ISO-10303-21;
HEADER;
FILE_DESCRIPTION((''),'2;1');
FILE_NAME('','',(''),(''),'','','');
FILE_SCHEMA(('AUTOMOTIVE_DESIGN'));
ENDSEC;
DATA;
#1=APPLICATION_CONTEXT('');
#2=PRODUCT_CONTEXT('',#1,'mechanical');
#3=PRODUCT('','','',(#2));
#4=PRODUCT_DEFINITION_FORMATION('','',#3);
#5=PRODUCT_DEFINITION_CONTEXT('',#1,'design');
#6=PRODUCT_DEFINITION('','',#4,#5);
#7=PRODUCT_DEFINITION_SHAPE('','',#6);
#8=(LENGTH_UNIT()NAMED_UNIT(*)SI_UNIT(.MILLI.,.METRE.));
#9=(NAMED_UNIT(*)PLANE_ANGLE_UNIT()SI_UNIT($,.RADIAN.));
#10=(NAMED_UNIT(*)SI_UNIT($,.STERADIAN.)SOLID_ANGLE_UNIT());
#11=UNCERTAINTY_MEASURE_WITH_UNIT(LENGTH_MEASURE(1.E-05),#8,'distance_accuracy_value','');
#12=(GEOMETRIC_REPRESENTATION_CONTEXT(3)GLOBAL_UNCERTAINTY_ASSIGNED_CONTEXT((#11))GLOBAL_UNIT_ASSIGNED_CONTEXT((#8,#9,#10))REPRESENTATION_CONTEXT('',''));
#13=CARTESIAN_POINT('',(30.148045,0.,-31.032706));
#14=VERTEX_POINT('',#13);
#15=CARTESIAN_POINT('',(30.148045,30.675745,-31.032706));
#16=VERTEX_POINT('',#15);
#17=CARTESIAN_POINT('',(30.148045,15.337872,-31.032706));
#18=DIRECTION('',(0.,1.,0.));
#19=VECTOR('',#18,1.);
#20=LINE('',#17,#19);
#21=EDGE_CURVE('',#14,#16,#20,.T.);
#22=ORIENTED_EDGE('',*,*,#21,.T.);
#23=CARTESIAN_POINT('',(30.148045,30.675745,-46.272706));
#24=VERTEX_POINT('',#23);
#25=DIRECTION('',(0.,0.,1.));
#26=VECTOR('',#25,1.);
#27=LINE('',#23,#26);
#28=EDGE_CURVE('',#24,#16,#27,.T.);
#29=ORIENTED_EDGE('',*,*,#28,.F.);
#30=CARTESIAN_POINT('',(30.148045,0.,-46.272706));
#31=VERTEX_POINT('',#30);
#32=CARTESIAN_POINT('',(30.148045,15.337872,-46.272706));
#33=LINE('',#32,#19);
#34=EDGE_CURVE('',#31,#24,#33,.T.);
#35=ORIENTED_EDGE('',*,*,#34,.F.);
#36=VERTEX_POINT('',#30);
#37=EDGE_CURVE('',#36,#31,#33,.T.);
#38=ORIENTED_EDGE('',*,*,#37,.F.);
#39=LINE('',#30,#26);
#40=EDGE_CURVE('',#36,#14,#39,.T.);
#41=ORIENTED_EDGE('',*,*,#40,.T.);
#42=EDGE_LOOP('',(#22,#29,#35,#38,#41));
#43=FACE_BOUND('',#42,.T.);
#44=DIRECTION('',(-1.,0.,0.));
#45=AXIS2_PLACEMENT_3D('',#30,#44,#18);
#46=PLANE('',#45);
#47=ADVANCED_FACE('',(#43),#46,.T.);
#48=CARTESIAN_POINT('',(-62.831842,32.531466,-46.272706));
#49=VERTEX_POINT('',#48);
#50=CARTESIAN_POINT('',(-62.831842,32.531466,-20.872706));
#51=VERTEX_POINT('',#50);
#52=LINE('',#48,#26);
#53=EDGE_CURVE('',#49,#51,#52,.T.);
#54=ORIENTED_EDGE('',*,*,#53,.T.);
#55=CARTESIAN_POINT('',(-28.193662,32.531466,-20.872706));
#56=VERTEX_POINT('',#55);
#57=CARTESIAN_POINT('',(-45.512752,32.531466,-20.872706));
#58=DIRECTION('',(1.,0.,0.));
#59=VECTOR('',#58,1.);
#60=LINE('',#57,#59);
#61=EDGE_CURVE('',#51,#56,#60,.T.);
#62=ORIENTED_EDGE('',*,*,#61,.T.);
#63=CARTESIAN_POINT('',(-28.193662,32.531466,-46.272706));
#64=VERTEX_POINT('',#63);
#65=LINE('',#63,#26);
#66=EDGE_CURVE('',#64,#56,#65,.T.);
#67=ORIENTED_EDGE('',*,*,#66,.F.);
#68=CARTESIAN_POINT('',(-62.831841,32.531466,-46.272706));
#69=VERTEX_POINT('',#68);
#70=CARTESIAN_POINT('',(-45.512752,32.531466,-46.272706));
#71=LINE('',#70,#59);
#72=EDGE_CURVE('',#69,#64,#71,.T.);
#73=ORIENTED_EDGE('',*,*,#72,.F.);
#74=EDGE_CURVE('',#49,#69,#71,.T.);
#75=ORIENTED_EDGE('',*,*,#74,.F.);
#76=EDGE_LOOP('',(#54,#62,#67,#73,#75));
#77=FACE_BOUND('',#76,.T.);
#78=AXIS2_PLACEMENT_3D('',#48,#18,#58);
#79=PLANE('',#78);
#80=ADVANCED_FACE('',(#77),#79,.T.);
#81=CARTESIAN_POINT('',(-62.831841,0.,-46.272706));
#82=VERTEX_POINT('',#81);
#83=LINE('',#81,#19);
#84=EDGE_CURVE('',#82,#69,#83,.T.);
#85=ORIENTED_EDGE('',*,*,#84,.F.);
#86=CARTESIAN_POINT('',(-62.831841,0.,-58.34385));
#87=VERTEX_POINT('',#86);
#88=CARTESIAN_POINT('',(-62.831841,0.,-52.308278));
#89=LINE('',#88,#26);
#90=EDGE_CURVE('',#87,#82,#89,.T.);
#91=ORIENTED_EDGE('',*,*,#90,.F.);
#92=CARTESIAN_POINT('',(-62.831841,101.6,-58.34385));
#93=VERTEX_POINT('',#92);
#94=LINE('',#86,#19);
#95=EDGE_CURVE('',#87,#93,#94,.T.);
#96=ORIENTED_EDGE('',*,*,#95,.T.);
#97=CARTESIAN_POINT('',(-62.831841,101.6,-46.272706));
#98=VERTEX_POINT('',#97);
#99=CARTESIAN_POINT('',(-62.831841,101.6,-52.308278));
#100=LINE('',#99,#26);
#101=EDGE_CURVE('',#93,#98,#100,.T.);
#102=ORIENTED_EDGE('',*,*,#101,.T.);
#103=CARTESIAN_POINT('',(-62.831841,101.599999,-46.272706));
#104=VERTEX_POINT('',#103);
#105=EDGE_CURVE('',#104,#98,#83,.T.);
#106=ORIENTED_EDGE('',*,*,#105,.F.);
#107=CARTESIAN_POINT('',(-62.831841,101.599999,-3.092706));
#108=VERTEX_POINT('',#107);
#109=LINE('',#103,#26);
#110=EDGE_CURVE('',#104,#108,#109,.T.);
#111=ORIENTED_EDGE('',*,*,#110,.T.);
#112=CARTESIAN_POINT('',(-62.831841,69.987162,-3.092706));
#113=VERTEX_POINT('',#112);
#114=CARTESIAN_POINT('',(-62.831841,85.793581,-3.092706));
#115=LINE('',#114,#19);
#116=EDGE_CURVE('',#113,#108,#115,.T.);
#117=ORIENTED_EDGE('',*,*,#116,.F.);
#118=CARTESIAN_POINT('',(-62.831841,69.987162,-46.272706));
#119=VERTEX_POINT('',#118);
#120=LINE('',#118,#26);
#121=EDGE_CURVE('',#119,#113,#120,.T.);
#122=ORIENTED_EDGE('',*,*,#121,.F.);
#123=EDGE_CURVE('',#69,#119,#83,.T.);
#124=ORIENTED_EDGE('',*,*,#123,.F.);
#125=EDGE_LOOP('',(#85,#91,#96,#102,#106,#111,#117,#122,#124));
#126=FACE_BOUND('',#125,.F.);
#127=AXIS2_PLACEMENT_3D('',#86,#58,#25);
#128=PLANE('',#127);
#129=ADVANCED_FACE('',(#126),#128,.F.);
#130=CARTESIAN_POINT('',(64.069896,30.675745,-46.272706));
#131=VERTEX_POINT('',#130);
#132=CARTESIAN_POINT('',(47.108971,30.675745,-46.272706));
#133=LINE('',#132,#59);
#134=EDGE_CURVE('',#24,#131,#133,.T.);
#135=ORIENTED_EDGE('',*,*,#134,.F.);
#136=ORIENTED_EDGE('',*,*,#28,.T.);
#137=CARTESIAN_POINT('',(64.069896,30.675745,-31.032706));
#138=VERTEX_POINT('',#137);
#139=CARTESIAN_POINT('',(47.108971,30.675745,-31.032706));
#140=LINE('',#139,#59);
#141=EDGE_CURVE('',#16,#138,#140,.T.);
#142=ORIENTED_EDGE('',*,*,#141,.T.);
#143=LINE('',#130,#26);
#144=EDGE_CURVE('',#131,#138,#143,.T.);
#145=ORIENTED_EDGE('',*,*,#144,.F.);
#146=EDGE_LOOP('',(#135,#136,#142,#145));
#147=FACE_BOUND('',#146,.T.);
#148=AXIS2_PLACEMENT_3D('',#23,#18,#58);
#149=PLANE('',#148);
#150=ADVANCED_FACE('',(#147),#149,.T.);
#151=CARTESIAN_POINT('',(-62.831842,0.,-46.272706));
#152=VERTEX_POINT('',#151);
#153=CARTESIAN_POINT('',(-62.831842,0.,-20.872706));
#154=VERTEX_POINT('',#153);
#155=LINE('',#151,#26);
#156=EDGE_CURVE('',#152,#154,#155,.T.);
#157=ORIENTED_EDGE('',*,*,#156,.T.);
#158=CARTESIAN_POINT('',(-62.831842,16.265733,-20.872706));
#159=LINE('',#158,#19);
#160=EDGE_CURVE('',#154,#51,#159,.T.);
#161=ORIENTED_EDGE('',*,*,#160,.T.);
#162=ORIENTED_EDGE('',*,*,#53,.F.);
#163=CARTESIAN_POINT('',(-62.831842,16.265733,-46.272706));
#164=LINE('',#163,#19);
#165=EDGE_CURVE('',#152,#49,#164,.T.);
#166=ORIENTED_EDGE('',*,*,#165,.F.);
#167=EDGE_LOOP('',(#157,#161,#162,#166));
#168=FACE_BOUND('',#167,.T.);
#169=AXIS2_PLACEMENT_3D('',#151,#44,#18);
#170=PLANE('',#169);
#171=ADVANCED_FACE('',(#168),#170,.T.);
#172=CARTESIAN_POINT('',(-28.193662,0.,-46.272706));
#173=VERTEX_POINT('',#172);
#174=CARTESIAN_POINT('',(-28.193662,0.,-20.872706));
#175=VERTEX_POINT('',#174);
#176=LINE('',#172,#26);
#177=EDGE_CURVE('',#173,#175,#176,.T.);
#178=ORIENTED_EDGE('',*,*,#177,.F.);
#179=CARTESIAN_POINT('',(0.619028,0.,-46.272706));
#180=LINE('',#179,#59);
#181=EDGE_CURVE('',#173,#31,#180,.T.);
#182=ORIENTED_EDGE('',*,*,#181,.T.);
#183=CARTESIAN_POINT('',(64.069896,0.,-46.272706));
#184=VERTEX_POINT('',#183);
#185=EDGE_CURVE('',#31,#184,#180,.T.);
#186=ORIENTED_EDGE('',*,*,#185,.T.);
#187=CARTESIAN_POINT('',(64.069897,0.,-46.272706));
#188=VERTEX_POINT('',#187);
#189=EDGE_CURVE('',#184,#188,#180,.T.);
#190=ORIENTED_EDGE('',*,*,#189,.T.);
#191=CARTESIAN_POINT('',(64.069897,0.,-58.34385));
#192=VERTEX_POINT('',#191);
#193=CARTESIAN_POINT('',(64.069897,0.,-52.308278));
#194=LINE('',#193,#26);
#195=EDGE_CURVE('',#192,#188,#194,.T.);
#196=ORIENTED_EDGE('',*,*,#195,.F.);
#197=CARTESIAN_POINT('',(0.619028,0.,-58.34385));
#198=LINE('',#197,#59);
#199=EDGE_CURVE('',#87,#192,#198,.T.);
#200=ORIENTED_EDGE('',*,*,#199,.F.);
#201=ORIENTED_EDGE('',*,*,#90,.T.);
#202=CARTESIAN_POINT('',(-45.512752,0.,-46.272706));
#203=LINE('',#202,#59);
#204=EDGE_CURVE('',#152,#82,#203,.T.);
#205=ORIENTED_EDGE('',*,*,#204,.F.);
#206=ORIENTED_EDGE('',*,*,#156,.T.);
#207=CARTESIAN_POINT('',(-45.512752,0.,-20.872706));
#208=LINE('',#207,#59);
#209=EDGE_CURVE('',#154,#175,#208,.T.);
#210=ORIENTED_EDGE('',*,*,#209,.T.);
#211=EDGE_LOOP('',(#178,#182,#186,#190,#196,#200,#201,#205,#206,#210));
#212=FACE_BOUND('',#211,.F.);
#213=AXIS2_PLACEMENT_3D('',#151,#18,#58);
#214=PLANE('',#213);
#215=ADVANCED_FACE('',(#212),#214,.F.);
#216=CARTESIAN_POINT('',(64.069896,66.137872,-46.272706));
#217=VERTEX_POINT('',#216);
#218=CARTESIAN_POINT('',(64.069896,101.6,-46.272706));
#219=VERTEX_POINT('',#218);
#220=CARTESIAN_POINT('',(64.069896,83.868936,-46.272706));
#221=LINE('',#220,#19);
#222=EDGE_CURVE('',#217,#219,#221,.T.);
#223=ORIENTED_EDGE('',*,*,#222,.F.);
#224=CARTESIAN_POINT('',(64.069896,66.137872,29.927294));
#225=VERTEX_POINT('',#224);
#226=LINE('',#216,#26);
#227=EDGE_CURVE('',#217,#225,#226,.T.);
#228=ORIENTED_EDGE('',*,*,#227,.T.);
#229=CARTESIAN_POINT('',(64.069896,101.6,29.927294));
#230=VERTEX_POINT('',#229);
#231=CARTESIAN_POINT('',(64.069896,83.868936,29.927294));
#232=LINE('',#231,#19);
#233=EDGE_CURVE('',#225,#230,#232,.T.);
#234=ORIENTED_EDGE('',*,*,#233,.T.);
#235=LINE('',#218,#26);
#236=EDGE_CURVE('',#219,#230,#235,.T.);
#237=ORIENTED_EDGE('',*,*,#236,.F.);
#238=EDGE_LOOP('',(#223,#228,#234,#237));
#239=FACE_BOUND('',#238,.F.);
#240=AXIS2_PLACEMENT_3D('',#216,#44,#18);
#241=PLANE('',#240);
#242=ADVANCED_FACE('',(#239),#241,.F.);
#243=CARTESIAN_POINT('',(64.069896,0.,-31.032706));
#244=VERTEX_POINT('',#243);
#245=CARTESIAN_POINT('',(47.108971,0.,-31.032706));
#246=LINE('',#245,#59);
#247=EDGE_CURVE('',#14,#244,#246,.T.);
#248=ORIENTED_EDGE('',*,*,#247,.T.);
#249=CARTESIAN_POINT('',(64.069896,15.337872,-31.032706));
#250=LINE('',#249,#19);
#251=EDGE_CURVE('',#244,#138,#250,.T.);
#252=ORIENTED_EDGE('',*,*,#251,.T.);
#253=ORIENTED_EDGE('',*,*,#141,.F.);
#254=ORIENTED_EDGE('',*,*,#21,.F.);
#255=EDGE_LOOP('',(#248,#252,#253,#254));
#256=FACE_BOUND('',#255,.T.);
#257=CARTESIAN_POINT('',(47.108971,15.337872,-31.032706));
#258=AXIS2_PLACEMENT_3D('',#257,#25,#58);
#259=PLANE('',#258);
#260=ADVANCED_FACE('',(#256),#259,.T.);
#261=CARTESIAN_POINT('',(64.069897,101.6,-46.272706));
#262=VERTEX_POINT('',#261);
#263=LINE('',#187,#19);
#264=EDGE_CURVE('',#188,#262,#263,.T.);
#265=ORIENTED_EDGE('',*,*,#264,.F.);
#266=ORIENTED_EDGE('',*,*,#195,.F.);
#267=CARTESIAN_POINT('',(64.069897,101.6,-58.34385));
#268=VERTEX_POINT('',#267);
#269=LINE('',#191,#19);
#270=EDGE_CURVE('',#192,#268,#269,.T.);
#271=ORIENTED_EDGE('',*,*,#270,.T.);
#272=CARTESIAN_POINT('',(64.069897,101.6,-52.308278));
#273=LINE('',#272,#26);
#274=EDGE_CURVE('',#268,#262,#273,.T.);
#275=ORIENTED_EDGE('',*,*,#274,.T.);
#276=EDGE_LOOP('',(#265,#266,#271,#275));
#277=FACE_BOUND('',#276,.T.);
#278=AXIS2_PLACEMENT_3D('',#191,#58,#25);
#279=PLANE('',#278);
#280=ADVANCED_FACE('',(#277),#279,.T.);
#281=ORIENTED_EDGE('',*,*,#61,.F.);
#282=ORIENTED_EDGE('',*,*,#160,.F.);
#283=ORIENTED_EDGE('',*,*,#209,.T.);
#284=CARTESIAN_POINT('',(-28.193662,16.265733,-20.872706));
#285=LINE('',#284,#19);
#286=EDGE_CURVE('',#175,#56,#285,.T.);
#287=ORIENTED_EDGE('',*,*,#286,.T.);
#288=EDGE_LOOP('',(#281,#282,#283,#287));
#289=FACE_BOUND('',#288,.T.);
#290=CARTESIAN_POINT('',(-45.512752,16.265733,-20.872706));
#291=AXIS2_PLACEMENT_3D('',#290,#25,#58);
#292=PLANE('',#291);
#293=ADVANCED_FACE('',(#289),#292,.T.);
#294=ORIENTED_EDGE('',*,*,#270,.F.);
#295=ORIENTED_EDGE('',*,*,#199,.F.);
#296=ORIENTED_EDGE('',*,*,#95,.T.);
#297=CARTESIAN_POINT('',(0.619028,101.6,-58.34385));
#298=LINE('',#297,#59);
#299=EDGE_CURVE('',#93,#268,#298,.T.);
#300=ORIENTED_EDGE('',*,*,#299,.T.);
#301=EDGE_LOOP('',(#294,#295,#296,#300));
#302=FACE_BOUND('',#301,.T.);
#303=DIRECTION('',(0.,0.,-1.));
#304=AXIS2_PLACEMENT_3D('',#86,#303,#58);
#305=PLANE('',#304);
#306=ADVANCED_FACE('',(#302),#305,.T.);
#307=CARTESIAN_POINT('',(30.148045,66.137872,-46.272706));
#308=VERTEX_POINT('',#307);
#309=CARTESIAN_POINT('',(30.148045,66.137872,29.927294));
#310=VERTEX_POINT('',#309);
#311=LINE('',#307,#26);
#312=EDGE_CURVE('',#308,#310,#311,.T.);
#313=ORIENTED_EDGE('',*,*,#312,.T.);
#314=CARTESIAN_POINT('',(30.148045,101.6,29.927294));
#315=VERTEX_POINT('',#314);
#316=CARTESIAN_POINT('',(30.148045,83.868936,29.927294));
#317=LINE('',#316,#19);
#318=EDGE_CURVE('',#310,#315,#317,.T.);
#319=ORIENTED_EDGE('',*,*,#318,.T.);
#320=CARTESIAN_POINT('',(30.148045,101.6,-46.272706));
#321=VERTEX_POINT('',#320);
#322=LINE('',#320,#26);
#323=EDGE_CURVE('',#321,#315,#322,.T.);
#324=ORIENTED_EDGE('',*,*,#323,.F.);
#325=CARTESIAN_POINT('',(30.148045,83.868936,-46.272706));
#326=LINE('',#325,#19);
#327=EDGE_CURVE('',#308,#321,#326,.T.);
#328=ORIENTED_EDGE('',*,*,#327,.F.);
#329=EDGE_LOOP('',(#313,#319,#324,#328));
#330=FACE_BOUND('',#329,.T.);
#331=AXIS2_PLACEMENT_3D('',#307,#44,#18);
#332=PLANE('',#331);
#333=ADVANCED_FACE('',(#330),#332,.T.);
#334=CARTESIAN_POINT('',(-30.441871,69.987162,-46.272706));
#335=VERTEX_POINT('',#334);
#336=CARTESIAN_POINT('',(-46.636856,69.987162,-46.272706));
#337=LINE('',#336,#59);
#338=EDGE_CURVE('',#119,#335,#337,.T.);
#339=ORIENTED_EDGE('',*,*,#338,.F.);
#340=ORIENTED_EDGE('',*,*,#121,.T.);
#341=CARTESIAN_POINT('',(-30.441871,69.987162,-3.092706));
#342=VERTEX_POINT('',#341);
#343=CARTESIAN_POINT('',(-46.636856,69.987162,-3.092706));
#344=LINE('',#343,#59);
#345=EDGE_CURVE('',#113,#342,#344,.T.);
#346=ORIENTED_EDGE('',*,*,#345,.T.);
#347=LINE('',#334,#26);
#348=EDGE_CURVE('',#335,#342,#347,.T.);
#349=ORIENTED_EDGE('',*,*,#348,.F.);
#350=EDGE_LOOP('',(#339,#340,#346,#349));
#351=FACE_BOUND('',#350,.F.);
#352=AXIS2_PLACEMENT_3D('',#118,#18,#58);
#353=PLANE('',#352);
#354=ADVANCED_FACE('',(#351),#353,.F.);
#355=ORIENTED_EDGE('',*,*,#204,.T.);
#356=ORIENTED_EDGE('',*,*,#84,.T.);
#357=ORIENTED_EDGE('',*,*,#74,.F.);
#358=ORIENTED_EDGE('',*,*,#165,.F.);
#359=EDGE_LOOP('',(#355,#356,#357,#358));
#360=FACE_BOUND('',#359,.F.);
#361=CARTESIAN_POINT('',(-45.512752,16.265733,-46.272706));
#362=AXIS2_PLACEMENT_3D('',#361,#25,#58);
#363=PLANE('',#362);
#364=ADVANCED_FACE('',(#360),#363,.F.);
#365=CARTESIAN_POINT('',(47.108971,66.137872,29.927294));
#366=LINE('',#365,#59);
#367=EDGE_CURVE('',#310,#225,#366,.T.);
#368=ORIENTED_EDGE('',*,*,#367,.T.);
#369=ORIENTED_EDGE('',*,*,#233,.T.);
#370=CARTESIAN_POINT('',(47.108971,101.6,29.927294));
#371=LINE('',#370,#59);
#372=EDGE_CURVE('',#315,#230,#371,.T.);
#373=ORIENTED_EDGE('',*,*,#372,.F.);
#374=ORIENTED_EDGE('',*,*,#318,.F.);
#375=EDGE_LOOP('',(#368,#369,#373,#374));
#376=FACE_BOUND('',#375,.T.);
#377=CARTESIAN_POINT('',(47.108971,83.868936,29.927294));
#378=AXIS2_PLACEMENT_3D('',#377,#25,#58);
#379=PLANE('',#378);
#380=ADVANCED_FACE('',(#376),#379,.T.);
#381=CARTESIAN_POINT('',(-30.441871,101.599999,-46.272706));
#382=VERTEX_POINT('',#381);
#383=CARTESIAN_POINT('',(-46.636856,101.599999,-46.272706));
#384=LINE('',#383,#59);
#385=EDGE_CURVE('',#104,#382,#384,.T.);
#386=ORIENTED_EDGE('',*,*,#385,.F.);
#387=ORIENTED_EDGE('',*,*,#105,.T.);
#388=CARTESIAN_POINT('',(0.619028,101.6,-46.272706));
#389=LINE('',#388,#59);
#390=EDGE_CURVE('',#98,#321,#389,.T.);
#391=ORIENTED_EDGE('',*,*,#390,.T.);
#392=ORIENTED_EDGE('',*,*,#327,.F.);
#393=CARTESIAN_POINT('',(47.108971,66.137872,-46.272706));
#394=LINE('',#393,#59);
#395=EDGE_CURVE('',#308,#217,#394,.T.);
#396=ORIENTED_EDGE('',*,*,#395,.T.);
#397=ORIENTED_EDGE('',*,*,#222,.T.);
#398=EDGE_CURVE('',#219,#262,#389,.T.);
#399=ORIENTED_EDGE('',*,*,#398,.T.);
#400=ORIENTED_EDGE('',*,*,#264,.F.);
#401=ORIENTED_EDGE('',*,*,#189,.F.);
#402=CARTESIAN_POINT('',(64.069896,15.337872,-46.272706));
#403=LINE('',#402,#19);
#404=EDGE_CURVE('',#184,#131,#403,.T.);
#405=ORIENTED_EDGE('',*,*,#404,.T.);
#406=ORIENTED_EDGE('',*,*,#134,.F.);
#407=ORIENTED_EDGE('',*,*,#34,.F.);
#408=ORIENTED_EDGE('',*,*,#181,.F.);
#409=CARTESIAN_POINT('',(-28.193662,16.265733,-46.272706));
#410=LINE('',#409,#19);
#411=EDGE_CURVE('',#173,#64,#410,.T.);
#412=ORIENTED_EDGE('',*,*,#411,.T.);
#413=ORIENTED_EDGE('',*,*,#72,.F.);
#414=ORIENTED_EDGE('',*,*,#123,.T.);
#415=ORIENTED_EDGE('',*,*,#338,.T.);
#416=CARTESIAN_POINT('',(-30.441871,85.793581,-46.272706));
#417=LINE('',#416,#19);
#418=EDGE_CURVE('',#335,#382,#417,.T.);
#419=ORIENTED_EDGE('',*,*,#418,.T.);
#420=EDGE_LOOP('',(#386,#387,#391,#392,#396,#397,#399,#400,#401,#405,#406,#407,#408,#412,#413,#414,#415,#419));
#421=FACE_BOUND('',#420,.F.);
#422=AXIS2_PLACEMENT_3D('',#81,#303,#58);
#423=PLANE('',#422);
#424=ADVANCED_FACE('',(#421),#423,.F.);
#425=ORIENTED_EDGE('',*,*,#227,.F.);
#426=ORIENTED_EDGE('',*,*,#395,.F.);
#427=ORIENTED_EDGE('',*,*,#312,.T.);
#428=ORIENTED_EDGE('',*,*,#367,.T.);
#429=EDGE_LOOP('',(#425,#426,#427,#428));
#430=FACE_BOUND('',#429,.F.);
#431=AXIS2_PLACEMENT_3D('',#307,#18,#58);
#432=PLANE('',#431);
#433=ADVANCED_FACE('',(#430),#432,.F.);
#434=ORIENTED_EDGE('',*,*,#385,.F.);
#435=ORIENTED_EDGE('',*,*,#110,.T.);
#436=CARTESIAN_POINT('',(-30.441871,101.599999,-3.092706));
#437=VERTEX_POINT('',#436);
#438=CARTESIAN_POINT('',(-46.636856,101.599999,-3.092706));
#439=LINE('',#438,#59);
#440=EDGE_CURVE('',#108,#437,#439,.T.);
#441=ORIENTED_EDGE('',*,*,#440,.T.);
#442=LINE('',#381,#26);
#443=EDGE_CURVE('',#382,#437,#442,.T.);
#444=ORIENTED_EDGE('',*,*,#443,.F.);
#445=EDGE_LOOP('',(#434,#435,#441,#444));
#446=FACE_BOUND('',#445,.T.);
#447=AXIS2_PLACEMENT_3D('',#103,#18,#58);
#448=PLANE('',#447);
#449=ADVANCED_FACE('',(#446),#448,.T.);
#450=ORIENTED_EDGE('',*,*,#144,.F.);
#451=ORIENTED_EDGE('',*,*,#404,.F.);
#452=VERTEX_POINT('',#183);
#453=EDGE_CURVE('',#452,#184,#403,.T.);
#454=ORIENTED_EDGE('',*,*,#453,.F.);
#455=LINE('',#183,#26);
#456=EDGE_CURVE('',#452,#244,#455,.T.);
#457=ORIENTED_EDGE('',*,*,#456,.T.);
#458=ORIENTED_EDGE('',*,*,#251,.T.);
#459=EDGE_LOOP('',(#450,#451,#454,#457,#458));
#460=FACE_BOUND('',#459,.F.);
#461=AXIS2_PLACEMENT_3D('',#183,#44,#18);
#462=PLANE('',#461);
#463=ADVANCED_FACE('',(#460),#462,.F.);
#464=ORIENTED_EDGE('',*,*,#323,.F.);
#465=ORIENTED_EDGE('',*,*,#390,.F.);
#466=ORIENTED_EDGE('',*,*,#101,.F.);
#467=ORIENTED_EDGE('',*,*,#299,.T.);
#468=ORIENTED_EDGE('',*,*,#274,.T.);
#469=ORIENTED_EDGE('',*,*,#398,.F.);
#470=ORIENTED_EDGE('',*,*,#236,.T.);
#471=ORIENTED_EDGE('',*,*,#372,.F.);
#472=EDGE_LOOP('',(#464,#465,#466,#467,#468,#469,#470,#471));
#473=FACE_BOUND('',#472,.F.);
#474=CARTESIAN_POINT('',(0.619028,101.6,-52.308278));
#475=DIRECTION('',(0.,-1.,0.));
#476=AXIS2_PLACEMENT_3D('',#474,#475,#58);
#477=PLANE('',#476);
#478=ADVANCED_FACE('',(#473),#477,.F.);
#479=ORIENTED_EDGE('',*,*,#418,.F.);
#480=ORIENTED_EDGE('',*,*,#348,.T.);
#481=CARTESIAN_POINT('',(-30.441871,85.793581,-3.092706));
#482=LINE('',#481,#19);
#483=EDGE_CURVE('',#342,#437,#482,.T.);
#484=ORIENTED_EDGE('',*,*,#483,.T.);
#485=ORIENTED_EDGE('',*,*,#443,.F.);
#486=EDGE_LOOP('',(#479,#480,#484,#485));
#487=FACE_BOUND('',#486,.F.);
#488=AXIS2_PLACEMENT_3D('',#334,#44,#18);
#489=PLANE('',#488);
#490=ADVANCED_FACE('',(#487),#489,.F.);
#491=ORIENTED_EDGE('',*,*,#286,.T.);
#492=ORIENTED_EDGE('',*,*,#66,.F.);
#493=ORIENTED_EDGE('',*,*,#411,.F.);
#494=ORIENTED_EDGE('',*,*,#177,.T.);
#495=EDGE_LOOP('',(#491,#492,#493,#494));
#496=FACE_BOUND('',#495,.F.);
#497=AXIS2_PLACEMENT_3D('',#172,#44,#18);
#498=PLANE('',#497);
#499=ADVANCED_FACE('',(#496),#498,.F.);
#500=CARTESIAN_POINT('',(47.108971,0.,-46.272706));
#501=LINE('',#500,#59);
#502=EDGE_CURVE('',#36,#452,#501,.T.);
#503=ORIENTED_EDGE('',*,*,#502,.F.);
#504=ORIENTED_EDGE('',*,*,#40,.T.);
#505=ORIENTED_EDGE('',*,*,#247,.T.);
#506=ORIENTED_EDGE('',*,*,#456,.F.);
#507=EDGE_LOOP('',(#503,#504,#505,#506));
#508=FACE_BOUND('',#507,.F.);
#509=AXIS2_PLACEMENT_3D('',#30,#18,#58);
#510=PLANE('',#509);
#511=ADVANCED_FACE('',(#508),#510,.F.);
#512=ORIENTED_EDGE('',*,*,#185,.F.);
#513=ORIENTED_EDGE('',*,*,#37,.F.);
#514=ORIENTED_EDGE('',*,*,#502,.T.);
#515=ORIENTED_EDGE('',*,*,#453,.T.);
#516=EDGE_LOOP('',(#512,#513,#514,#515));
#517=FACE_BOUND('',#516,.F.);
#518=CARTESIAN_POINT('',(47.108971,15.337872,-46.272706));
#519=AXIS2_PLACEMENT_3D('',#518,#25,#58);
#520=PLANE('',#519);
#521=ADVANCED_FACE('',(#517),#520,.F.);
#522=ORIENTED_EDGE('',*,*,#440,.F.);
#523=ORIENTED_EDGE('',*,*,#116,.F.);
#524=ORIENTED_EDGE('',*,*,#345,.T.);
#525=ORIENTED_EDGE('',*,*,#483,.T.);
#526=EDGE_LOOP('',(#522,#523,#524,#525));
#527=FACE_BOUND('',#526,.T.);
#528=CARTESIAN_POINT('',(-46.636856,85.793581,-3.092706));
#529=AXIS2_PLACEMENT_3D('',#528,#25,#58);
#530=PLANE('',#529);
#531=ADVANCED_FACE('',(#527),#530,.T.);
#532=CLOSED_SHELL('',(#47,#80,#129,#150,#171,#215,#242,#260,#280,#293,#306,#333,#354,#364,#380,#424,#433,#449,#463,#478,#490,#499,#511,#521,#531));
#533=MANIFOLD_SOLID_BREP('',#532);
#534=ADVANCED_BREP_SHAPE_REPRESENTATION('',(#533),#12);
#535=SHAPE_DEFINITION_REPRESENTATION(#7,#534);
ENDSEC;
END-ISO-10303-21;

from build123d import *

# Parameters (mm, degrees)
F0_W     = 126.901738
F0_H     = 12.071144
F1_DEPTH = 101.6
F2_W     = 33.921851
F2_H     = 30.675745
F3_DEPTH = 15.24
F4_W     = 34.638179
F4_H     = 32.531466
F5_DEPTH = 25.4
F6_W     = 32.38997
F6_H     = 31.612837
F7_DEPTH = 43.18
F8_W     = 33.921851
F8_H     = 35.462128
F9_DEPTH = 76.2


with BuildPart() as f1:
    # F0 (on Front) → F1 (new body)
    with BuildSketch(Plane.XZ):
        with Locations((0.619028, -52.308278)):
            Rectangle(F0_W, F0_H)
    extrude(amount=-F1_DEPTH)

    # F2 (on face) → F3 (join)
    with BuildSketch(Plane.XY.offset(-46.272706)):
        with Locations((47.108971, 15.337872)):
            Rectangle(F2_W, F2_H)
    extrude(amount=F3_DEPTH)

    # F4 (on face) → F5 (join)
    with BuildSketch(Plane.XY.offset(-46.272706)):
        with Locations((-45.512752, 16.265733)):
            Rectangle(F4_W, F4_H)
    extrude(amount=F5_DEPTH)

    # F6 (on face) → F7 (join)
    with BuildSketch(Plane.XY.offset(-46.272706)):
        with Locations((-46.636856, 85.793581)):
            Rectangle(F6_W, F6_H)
    extrude(amount=F7_DEPTH)

    # F8 (on face) → F9 (join)
    with BuildSketch(Plane.XY.offset(-46.272706)):
        with Locations((47.108971, 83.868936)):
            Rectangle(F8_W, F8_H)
    extrude(amount=F9_DEPTH)


solid = f1.part
